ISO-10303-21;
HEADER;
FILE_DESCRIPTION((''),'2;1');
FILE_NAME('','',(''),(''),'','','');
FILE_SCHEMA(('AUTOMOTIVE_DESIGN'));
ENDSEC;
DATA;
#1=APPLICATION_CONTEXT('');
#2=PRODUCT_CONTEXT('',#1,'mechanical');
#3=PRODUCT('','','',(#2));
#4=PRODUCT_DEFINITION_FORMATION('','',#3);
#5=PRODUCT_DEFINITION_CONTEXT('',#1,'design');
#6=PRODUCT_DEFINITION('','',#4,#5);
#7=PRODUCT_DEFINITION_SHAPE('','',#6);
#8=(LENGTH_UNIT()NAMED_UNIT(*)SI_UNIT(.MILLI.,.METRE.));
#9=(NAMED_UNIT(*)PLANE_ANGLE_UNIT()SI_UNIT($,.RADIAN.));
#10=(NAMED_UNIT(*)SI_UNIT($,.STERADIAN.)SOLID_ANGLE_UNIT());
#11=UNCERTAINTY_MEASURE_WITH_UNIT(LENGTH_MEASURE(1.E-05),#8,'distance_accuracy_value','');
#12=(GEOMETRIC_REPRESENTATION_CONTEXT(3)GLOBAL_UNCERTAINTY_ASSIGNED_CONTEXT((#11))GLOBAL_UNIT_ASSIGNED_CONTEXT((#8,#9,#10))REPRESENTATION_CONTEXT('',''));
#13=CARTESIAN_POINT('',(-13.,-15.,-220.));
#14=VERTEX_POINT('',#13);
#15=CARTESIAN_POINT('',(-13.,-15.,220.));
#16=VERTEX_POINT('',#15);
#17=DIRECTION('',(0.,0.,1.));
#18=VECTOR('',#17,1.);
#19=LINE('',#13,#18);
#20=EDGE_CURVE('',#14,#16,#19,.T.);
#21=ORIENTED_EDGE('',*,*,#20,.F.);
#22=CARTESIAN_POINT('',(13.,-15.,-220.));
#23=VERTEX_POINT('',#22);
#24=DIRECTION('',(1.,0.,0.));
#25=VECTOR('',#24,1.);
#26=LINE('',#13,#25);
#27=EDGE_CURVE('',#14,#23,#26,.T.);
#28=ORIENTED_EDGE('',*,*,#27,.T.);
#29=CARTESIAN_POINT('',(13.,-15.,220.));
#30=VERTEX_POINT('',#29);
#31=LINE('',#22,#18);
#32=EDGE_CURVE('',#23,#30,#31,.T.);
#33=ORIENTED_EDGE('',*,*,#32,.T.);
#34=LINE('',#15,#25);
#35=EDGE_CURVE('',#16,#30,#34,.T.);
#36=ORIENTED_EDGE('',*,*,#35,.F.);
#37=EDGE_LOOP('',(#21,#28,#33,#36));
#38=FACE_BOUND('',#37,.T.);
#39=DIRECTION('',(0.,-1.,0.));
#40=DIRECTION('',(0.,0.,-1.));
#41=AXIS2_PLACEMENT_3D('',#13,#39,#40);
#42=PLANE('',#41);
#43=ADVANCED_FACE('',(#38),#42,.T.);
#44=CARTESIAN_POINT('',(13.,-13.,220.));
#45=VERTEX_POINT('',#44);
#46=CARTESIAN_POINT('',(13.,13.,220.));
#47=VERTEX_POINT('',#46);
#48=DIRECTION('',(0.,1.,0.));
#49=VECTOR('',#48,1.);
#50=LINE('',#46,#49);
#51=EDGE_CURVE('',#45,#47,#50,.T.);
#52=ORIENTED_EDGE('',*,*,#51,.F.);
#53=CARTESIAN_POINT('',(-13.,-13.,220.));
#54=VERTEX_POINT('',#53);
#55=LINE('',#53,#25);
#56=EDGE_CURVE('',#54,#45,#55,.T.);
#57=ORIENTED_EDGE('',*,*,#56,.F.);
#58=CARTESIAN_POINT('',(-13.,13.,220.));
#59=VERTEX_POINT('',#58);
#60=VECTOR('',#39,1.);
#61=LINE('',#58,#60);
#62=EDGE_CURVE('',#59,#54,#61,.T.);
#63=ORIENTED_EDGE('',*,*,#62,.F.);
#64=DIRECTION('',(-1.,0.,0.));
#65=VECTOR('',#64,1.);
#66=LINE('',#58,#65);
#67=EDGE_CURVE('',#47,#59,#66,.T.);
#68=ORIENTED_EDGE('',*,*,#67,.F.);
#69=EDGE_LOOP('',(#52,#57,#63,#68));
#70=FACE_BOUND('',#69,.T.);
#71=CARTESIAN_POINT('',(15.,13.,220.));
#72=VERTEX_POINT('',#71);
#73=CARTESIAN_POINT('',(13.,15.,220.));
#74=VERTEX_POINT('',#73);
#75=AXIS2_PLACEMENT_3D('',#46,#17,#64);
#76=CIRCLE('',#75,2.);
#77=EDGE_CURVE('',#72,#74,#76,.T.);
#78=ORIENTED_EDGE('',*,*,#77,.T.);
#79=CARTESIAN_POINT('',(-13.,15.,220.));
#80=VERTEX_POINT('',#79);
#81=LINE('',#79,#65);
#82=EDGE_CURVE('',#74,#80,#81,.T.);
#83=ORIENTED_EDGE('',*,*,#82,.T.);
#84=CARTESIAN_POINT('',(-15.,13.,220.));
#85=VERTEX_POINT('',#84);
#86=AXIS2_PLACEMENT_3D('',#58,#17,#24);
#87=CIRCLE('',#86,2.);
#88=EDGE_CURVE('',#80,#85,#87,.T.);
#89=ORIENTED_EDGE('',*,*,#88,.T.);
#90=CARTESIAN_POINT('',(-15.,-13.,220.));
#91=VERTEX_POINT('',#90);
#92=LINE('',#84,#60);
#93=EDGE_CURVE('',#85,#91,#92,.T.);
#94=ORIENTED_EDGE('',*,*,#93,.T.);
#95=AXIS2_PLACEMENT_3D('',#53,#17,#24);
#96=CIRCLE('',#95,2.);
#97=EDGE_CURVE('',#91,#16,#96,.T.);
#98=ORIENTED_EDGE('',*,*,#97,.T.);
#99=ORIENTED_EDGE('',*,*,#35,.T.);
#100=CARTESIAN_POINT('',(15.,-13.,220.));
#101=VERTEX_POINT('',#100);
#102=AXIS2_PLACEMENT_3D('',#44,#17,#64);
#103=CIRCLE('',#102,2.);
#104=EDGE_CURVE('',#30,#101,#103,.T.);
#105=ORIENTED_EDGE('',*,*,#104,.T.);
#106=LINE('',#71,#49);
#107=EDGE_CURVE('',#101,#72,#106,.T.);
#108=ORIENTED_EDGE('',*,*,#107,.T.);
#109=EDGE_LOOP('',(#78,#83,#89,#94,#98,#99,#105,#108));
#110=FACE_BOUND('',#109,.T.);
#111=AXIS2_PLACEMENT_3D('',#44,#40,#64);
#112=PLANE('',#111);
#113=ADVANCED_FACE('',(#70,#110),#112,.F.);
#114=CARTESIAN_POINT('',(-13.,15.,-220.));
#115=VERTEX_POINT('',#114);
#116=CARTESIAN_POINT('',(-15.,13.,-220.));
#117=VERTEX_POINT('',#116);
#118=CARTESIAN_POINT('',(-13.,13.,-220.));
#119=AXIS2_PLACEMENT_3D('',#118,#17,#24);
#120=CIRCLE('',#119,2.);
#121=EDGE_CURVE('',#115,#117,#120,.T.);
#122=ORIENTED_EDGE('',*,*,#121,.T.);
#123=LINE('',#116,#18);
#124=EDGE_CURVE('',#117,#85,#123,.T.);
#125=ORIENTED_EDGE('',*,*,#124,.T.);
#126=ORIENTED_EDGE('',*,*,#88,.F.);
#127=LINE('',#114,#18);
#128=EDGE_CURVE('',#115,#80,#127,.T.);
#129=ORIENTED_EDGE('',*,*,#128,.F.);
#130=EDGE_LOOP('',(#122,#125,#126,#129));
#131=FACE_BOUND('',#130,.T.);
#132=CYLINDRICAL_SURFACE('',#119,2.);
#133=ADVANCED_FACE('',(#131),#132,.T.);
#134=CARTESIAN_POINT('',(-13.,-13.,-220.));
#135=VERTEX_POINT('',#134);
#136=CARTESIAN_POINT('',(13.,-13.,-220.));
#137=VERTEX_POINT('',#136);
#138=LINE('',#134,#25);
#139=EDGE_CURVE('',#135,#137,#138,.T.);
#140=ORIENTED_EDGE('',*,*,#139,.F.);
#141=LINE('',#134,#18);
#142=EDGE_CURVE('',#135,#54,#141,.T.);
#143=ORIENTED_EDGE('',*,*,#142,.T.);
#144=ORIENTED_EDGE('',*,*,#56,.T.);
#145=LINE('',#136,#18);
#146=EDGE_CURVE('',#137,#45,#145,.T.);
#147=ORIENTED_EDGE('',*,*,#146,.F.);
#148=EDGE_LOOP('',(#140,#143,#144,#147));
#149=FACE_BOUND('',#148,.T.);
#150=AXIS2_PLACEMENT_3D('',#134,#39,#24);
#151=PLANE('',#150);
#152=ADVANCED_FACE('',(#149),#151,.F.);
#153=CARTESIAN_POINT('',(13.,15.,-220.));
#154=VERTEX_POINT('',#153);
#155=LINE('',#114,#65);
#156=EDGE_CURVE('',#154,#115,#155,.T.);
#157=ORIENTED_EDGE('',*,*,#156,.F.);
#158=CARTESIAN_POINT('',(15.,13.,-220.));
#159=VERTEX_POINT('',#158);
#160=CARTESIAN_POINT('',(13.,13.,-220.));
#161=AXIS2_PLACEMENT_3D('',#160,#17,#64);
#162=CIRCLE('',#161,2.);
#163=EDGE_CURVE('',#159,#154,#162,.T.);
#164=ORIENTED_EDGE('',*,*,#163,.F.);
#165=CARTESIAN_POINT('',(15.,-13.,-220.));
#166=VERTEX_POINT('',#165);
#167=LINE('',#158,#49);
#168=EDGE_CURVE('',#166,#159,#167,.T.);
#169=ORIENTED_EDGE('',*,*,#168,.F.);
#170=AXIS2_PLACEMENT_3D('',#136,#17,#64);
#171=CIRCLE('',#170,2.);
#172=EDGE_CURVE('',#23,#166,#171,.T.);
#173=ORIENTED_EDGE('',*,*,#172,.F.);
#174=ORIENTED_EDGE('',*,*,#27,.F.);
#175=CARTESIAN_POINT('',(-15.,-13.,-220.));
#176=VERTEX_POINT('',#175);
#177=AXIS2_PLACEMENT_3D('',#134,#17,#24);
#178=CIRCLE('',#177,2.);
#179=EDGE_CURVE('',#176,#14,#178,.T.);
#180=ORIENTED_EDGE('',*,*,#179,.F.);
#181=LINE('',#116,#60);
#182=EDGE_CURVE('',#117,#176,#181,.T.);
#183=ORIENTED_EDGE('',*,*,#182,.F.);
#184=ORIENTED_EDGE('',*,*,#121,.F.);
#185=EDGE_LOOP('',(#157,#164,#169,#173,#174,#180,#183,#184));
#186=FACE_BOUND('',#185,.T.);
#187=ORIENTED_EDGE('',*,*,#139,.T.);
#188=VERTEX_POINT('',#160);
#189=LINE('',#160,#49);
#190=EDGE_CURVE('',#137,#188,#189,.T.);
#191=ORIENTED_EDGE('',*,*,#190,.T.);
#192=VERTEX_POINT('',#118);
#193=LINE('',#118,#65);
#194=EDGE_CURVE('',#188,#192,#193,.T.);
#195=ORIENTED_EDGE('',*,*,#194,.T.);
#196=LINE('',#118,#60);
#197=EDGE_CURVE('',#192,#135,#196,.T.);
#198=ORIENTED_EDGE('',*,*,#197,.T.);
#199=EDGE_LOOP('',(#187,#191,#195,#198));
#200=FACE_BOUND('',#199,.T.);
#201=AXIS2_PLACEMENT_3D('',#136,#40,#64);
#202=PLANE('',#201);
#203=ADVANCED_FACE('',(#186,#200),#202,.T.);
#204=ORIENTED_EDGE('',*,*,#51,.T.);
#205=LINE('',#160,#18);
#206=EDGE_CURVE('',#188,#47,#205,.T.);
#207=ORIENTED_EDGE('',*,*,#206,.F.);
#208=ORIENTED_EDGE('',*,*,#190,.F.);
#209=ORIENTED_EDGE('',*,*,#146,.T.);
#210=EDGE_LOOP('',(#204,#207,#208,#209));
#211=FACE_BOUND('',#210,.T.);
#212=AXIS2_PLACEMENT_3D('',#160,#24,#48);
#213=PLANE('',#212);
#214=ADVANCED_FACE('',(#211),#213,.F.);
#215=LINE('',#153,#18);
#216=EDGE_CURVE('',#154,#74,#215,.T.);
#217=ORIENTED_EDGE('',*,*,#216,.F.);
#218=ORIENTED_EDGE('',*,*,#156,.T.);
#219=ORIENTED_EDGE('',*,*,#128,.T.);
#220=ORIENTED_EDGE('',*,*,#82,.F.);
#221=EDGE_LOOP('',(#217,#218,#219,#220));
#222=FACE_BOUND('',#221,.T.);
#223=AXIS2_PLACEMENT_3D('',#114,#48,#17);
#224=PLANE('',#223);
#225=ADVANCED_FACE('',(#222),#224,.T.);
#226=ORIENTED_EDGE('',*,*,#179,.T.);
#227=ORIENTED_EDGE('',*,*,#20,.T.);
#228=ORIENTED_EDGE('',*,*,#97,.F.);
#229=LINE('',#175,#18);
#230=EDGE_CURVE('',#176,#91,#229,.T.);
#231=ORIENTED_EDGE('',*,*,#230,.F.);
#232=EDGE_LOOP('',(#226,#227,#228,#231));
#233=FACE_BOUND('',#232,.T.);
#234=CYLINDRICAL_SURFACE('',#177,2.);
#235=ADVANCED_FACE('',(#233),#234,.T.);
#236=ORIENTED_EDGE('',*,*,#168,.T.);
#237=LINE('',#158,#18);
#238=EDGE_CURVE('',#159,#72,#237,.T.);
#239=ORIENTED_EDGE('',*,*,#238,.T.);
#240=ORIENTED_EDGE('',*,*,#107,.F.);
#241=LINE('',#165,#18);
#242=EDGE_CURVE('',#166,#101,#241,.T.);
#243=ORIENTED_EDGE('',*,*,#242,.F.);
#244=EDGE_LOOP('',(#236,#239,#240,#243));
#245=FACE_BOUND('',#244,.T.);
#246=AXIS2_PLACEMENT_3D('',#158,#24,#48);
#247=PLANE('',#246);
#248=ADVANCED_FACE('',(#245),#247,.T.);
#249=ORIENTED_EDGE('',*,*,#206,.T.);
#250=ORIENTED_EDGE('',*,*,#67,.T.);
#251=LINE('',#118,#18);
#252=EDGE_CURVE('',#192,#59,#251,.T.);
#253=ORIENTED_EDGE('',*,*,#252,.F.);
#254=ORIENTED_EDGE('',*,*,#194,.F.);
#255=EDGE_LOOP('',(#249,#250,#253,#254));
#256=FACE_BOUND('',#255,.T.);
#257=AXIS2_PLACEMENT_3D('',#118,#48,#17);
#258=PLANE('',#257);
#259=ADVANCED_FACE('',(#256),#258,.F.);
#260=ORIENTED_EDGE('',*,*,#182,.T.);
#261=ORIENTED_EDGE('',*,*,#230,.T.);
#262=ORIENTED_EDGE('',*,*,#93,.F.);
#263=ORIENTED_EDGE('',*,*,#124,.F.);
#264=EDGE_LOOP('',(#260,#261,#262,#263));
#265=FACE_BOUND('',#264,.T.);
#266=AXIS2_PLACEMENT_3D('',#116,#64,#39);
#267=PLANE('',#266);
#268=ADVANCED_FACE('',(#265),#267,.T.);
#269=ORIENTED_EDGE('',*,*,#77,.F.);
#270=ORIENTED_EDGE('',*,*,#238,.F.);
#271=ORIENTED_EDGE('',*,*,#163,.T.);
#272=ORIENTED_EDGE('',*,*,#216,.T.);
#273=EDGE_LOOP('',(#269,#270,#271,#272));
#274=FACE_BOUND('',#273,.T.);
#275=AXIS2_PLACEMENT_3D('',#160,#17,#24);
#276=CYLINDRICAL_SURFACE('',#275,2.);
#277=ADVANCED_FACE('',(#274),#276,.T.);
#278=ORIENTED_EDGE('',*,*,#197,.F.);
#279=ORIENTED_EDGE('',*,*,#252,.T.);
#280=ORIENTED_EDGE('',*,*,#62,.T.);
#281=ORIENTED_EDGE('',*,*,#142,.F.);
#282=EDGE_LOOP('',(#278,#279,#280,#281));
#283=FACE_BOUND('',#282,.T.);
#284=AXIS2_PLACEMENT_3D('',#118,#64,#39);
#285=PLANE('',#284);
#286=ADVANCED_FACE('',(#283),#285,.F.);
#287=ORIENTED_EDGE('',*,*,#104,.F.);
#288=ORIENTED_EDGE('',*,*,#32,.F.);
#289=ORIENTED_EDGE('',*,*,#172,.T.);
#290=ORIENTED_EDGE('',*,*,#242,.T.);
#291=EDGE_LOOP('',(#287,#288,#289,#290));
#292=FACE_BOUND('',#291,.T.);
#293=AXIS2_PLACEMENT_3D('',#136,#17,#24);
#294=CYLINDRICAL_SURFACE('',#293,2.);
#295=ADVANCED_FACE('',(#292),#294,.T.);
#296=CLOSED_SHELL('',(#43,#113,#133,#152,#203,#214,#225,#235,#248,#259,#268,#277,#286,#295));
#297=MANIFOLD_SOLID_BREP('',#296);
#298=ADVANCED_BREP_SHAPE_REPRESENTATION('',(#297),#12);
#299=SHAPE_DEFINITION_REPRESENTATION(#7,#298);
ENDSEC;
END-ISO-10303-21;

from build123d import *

# Parameters (mm, degrees)
Y_KSEKLIK_EKSTR_ZYON1_DEPTH      = 220
Y_KSEKLIK_EKSTR_ZYON1_DEPTH_BACK = 220
IZIM1_W                          = 26
IZIM1_H                          = 26


with BuildPart() as part:
    # Çizim1 → Yükseklik-Ekstrüzyon1 (new, two sides: drawn at the far end of the back side and taken through both)
    with BuildSketch(Plane.XY.offset(-Y_KSEKLIK_EKSTR_ZYON1_DEPTH_BACK)):
        with BuildLine():
            Line((-13, 15), (13, 15))
            ThreePointArc((13, 15), (14.414213562, 14.414213562), (15, 13))
            Line((15, 13), (15, -13))
            ThreePointArc((15, -13), (14.414213562, -14.414213562), (13, -15))
            Line((13, -15), (-13, -15))
            ThreePointArc((-13, -15), (-14.414213562, -14.414213562), (-15, -13))
            Line((-15, -13), (-15, 13))
            ThreePointArc((-15, 13), (-14.414213562, 14.414213562), (-13, 15))
        make_face()
        Rectangle(IZIM1_W, IZIM1_H, mode=Mode.SUBTRACT)
    extrude(amount=Y_KSEKLIK_EKSTR_ZYON1_DEPTH + Y_KSEKLIK_EKSTR_ZYON1_DEPTH_BACK)


solid = part.part
